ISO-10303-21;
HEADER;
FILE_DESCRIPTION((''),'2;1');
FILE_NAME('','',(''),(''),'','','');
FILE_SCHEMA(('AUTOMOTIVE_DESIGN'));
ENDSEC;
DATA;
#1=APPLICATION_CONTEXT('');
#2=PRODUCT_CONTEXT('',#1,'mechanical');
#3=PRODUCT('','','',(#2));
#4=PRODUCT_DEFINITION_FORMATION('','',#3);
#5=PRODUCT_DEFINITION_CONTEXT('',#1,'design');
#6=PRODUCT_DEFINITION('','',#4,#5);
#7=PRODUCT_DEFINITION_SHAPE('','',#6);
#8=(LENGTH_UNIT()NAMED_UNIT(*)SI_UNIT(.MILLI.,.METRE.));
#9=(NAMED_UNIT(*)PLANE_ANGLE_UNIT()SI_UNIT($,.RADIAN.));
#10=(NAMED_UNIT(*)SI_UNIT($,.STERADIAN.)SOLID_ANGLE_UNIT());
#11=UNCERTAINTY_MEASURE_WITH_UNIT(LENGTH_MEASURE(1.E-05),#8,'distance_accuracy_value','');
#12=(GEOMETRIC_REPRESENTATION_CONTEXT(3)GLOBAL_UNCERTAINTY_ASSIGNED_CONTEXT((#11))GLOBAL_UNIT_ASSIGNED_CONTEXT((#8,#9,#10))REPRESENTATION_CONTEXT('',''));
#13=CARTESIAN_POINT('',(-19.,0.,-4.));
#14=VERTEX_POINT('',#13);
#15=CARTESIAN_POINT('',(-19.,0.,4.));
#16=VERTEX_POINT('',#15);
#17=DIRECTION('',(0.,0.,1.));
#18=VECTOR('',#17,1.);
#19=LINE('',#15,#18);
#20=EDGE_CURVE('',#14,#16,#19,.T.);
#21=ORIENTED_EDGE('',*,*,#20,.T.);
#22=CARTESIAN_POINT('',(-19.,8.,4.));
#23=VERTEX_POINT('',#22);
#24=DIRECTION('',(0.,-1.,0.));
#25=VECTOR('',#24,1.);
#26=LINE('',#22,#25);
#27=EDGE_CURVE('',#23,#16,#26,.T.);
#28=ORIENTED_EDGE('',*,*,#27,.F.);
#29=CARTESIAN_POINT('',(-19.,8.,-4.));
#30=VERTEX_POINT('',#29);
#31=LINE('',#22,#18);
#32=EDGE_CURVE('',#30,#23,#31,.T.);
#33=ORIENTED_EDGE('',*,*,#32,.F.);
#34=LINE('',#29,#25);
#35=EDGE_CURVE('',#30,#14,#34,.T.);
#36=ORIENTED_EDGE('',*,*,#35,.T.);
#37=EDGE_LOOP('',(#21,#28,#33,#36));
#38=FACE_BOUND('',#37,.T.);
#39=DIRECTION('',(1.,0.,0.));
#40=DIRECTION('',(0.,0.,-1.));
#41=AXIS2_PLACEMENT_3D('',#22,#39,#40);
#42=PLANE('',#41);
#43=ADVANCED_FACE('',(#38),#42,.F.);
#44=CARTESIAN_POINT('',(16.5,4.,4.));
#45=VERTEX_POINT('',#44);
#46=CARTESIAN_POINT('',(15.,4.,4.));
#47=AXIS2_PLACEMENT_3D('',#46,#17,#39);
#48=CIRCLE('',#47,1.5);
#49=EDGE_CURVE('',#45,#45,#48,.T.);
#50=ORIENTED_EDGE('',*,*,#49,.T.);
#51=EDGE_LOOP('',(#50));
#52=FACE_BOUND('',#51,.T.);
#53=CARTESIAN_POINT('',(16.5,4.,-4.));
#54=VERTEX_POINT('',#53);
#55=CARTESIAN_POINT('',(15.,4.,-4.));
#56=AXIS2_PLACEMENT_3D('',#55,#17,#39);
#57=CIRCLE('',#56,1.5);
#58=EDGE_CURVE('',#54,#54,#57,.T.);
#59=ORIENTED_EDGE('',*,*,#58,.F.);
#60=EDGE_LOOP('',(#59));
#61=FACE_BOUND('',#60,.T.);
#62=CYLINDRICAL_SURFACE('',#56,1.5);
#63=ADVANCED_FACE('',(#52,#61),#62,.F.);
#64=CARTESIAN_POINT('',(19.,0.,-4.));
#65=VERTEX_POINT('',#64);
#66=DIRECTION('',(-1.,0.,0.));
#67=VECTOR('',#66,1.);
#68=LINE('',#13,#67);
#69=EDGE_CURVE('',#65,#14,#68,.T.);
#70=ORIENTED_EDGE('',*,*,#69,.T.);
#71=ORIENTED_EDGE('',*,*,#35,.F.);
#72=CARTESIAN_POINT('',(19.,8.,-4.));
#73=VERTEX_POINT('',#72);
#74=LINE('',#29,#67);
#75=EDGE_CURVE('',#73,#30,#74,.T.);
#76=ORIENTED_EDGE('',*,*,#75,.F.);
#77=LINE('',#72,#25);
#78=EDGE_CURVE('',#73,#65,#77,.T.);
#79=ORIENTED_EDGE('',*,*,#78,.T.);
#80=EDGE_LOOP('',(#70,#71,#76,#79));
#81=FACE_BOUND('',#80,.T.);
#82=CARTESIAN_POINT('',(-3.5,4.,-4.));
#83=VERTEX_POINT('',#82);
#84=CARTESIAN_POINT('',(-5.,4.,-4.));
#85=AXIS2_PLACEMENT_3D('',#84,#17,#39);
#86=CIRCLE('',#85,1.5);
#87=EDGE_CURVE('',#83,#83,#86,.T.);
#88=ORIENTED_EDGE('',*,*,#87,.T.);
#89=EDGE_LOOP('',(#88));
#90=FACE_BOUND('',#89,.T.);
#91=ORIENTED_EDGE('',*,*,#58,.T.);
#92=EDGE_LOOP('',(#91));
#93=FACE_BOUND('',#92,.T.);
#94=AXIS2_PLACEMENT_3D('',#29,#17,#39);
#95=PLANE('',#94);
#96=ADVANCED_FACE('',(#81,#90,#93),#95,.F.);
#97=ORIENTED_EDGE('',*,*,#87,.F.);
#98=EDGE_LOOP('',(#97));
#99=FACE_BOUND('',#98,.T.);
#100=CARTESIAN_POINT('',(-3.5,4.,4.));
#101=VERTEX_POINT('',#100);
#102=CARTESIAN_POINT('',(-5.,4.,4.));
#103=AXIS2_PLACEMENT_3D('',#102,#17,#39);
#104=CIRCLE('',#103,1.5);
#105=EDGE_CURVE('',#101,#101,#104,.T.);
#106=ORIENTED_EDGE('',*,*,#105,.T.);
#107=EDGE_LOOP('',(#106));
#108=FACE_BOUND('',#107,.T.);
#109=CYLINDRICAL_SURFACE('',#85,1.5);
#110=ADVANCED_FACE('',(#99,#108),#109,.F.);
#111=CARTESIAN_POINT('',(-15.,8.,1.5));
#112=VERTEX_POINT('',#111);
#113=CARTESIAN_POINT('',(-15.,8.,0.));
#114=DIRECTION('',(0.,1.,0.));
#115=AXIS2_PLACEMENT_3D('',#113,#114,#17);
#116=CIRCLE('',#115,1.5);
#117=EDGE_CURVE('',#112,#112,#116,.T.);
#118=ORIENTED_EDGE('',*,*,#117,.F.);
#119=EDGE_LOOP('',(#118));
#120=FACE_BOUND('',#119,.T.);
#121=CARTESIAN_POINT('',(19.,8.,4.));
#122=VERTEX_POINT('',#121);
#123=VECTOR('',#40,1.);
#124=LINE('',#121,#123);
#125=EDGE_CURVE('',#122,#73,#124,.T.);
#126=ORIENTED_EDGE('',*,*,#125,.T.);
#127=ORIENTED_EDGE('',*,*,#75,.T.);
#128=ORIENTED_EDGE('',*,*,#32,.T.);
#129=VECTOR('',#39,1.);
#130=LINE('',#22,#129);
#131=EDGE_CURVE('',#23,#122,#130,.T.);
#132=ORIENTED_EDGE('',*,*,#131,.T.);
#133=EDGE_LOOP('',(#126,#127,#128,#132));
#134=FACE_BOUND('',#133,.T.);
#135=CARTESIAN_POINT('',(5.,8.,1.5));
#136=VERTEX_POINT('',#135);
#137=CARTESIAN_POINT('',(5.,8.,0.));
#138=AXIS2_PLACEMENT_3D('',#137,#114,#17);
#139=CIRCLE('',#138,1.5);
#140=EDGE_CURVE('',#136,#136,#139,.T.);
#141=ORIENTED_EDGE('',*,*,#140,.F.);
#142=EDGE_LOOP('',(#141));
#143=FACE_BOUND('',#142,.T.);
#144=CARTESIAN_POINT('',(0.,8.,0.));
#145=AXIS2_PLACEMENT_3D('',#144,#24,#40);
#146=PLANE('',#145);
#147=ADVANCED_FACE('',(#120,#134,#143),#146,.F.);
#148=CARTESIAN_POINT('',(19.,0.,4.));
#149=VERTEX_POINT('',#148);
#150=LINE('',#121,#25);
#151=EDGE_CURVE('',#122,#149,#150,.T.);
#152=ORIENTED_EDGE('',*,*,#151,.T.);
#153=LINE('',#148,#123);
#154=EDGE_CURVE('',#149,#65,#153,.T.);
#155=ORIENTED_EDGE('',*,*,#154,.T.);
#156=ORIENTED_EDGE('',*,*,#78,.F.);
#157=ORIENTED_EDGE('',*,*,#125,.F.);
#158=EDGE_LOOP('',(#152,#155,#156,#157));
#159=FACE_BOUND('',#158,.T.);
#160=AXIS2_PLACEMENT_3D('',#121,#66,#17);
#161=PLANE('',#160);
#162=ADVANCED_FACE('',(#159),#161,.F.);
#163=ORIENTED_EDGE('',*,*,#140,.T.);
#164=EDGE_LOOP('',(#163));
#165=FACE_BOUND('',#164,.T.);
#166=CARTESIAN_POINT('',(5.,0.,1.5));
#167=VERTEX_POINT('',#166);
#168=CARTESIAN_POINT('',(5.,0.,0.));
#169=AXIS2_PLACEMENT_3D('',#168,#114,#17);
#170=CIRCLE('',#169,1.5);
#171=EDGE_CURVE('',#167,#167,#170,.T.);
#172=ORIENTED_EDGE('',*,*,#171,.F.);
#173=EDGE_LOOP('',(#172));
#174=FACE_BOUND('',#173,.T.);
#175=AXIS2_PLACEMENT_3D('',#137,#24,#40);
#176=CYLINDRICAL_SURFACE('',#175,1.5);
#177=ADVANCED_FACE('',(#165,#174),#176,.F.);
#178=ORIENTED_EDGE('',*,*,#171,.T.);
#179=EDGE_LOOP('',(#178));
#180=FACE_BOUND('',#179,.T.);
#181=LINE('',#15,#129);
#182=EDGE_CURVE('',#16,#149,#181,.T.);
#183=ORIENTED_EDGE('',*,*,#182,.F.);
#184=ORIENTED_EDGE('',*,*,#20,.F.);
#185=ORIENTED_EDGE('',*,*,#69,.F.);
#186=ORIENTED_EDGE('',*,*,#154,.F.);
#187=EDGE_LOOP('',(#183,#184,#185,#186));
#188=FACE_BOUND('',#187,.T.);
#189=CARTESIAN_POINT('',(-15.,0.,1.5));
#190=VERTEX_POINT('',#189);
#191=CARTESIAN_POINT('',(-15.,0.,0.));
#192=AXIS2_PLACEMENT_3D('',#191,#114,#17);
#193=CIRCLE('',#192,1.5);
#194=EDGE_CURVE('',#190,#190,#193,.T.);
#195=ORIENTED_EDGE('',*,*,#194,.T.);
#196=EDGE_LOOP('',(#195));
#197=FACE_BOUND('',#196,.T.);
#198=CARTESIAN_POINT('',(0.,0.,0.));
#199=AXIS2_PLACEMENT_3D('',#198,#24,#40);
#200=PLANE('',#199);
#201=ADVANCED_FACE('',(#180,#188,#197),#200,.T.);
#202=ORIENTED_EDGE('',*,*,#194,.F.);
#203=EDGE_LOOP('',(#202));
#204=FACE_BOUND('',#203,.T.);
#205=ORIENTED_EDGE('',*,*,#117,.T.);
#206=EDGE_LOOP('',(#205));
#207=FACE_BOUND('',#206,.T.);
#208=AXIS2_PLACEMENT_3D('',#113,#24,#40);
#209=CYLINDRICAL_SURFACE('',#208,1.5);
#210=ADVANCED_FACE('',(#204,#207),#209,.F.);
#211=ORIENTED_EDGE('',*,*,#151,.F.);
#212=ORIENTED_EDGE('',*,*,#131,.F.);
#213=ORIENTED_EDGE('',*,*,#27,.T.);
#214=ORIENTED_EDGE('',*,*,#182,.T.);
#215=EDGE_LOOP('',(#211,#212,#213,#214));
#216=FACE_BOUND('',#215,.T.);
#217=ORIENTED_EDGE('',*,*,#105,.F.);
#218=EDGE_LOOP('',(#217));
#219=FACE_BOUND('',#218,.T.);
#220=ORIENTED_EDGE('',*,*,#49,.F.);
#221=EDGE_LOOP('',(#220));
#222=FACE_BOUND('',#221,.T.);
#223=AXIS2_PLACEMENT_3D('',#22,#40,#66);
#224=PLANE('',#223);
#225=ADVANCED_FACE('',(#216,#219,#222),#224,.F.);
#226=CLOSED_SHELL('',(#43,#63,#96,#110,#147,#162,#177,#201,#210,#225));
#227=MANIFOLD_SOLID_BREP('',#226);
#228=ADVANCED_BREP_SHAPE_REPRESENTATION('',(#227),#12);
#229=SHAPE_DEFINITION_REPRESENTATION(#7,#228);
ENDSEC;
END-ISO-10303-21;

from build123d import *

# Parameters (mm, degrees)
SKETCH_1_W          = 38
SKETCH_1_H          = 8
SKETCH_1_R          = 1.5
EXTRUDE_1_DEPTH     = 8
SKETCH_2_R          = 1.5
CUT_EXTRUDE_1_DEPTH = 9


with BuildPart() as part:
    # 草图1 → 凸台-拉伸1 (new body)
    with BuildSketch(Plane(origin=(0, 0, 0), x_dir=(1, 0, 0), z_dir=(0, 1, 0))):
        Rectangle(SKETCH_1_W, SKETCH_1_H)
        with Locations((-15, 0)):
            Circle(SKETCH_1_R, mode=Mode.SUBTRACT)
        with Locations((5, 0)):
            Circle(SKETCH_1_R, mode=Mode.SUBTRACT)
    extrude(amount=EXTRUDE_1_DEPTH)

    # 草图2 → 切除-拉伸1 (cut, through all)
    with BuildSketch(Plane.XY.offset(4)):
        with Locations((-5, 4)):
            Circle(SKETCH_2_R)
        with Locations((15, 4)):
            Circle(SKETCH_2_R)
    extrude(amount=-CUT_EXTRUDE_1_DEPTH, mode=Mode.SUBTRACT)


solid = part.part
